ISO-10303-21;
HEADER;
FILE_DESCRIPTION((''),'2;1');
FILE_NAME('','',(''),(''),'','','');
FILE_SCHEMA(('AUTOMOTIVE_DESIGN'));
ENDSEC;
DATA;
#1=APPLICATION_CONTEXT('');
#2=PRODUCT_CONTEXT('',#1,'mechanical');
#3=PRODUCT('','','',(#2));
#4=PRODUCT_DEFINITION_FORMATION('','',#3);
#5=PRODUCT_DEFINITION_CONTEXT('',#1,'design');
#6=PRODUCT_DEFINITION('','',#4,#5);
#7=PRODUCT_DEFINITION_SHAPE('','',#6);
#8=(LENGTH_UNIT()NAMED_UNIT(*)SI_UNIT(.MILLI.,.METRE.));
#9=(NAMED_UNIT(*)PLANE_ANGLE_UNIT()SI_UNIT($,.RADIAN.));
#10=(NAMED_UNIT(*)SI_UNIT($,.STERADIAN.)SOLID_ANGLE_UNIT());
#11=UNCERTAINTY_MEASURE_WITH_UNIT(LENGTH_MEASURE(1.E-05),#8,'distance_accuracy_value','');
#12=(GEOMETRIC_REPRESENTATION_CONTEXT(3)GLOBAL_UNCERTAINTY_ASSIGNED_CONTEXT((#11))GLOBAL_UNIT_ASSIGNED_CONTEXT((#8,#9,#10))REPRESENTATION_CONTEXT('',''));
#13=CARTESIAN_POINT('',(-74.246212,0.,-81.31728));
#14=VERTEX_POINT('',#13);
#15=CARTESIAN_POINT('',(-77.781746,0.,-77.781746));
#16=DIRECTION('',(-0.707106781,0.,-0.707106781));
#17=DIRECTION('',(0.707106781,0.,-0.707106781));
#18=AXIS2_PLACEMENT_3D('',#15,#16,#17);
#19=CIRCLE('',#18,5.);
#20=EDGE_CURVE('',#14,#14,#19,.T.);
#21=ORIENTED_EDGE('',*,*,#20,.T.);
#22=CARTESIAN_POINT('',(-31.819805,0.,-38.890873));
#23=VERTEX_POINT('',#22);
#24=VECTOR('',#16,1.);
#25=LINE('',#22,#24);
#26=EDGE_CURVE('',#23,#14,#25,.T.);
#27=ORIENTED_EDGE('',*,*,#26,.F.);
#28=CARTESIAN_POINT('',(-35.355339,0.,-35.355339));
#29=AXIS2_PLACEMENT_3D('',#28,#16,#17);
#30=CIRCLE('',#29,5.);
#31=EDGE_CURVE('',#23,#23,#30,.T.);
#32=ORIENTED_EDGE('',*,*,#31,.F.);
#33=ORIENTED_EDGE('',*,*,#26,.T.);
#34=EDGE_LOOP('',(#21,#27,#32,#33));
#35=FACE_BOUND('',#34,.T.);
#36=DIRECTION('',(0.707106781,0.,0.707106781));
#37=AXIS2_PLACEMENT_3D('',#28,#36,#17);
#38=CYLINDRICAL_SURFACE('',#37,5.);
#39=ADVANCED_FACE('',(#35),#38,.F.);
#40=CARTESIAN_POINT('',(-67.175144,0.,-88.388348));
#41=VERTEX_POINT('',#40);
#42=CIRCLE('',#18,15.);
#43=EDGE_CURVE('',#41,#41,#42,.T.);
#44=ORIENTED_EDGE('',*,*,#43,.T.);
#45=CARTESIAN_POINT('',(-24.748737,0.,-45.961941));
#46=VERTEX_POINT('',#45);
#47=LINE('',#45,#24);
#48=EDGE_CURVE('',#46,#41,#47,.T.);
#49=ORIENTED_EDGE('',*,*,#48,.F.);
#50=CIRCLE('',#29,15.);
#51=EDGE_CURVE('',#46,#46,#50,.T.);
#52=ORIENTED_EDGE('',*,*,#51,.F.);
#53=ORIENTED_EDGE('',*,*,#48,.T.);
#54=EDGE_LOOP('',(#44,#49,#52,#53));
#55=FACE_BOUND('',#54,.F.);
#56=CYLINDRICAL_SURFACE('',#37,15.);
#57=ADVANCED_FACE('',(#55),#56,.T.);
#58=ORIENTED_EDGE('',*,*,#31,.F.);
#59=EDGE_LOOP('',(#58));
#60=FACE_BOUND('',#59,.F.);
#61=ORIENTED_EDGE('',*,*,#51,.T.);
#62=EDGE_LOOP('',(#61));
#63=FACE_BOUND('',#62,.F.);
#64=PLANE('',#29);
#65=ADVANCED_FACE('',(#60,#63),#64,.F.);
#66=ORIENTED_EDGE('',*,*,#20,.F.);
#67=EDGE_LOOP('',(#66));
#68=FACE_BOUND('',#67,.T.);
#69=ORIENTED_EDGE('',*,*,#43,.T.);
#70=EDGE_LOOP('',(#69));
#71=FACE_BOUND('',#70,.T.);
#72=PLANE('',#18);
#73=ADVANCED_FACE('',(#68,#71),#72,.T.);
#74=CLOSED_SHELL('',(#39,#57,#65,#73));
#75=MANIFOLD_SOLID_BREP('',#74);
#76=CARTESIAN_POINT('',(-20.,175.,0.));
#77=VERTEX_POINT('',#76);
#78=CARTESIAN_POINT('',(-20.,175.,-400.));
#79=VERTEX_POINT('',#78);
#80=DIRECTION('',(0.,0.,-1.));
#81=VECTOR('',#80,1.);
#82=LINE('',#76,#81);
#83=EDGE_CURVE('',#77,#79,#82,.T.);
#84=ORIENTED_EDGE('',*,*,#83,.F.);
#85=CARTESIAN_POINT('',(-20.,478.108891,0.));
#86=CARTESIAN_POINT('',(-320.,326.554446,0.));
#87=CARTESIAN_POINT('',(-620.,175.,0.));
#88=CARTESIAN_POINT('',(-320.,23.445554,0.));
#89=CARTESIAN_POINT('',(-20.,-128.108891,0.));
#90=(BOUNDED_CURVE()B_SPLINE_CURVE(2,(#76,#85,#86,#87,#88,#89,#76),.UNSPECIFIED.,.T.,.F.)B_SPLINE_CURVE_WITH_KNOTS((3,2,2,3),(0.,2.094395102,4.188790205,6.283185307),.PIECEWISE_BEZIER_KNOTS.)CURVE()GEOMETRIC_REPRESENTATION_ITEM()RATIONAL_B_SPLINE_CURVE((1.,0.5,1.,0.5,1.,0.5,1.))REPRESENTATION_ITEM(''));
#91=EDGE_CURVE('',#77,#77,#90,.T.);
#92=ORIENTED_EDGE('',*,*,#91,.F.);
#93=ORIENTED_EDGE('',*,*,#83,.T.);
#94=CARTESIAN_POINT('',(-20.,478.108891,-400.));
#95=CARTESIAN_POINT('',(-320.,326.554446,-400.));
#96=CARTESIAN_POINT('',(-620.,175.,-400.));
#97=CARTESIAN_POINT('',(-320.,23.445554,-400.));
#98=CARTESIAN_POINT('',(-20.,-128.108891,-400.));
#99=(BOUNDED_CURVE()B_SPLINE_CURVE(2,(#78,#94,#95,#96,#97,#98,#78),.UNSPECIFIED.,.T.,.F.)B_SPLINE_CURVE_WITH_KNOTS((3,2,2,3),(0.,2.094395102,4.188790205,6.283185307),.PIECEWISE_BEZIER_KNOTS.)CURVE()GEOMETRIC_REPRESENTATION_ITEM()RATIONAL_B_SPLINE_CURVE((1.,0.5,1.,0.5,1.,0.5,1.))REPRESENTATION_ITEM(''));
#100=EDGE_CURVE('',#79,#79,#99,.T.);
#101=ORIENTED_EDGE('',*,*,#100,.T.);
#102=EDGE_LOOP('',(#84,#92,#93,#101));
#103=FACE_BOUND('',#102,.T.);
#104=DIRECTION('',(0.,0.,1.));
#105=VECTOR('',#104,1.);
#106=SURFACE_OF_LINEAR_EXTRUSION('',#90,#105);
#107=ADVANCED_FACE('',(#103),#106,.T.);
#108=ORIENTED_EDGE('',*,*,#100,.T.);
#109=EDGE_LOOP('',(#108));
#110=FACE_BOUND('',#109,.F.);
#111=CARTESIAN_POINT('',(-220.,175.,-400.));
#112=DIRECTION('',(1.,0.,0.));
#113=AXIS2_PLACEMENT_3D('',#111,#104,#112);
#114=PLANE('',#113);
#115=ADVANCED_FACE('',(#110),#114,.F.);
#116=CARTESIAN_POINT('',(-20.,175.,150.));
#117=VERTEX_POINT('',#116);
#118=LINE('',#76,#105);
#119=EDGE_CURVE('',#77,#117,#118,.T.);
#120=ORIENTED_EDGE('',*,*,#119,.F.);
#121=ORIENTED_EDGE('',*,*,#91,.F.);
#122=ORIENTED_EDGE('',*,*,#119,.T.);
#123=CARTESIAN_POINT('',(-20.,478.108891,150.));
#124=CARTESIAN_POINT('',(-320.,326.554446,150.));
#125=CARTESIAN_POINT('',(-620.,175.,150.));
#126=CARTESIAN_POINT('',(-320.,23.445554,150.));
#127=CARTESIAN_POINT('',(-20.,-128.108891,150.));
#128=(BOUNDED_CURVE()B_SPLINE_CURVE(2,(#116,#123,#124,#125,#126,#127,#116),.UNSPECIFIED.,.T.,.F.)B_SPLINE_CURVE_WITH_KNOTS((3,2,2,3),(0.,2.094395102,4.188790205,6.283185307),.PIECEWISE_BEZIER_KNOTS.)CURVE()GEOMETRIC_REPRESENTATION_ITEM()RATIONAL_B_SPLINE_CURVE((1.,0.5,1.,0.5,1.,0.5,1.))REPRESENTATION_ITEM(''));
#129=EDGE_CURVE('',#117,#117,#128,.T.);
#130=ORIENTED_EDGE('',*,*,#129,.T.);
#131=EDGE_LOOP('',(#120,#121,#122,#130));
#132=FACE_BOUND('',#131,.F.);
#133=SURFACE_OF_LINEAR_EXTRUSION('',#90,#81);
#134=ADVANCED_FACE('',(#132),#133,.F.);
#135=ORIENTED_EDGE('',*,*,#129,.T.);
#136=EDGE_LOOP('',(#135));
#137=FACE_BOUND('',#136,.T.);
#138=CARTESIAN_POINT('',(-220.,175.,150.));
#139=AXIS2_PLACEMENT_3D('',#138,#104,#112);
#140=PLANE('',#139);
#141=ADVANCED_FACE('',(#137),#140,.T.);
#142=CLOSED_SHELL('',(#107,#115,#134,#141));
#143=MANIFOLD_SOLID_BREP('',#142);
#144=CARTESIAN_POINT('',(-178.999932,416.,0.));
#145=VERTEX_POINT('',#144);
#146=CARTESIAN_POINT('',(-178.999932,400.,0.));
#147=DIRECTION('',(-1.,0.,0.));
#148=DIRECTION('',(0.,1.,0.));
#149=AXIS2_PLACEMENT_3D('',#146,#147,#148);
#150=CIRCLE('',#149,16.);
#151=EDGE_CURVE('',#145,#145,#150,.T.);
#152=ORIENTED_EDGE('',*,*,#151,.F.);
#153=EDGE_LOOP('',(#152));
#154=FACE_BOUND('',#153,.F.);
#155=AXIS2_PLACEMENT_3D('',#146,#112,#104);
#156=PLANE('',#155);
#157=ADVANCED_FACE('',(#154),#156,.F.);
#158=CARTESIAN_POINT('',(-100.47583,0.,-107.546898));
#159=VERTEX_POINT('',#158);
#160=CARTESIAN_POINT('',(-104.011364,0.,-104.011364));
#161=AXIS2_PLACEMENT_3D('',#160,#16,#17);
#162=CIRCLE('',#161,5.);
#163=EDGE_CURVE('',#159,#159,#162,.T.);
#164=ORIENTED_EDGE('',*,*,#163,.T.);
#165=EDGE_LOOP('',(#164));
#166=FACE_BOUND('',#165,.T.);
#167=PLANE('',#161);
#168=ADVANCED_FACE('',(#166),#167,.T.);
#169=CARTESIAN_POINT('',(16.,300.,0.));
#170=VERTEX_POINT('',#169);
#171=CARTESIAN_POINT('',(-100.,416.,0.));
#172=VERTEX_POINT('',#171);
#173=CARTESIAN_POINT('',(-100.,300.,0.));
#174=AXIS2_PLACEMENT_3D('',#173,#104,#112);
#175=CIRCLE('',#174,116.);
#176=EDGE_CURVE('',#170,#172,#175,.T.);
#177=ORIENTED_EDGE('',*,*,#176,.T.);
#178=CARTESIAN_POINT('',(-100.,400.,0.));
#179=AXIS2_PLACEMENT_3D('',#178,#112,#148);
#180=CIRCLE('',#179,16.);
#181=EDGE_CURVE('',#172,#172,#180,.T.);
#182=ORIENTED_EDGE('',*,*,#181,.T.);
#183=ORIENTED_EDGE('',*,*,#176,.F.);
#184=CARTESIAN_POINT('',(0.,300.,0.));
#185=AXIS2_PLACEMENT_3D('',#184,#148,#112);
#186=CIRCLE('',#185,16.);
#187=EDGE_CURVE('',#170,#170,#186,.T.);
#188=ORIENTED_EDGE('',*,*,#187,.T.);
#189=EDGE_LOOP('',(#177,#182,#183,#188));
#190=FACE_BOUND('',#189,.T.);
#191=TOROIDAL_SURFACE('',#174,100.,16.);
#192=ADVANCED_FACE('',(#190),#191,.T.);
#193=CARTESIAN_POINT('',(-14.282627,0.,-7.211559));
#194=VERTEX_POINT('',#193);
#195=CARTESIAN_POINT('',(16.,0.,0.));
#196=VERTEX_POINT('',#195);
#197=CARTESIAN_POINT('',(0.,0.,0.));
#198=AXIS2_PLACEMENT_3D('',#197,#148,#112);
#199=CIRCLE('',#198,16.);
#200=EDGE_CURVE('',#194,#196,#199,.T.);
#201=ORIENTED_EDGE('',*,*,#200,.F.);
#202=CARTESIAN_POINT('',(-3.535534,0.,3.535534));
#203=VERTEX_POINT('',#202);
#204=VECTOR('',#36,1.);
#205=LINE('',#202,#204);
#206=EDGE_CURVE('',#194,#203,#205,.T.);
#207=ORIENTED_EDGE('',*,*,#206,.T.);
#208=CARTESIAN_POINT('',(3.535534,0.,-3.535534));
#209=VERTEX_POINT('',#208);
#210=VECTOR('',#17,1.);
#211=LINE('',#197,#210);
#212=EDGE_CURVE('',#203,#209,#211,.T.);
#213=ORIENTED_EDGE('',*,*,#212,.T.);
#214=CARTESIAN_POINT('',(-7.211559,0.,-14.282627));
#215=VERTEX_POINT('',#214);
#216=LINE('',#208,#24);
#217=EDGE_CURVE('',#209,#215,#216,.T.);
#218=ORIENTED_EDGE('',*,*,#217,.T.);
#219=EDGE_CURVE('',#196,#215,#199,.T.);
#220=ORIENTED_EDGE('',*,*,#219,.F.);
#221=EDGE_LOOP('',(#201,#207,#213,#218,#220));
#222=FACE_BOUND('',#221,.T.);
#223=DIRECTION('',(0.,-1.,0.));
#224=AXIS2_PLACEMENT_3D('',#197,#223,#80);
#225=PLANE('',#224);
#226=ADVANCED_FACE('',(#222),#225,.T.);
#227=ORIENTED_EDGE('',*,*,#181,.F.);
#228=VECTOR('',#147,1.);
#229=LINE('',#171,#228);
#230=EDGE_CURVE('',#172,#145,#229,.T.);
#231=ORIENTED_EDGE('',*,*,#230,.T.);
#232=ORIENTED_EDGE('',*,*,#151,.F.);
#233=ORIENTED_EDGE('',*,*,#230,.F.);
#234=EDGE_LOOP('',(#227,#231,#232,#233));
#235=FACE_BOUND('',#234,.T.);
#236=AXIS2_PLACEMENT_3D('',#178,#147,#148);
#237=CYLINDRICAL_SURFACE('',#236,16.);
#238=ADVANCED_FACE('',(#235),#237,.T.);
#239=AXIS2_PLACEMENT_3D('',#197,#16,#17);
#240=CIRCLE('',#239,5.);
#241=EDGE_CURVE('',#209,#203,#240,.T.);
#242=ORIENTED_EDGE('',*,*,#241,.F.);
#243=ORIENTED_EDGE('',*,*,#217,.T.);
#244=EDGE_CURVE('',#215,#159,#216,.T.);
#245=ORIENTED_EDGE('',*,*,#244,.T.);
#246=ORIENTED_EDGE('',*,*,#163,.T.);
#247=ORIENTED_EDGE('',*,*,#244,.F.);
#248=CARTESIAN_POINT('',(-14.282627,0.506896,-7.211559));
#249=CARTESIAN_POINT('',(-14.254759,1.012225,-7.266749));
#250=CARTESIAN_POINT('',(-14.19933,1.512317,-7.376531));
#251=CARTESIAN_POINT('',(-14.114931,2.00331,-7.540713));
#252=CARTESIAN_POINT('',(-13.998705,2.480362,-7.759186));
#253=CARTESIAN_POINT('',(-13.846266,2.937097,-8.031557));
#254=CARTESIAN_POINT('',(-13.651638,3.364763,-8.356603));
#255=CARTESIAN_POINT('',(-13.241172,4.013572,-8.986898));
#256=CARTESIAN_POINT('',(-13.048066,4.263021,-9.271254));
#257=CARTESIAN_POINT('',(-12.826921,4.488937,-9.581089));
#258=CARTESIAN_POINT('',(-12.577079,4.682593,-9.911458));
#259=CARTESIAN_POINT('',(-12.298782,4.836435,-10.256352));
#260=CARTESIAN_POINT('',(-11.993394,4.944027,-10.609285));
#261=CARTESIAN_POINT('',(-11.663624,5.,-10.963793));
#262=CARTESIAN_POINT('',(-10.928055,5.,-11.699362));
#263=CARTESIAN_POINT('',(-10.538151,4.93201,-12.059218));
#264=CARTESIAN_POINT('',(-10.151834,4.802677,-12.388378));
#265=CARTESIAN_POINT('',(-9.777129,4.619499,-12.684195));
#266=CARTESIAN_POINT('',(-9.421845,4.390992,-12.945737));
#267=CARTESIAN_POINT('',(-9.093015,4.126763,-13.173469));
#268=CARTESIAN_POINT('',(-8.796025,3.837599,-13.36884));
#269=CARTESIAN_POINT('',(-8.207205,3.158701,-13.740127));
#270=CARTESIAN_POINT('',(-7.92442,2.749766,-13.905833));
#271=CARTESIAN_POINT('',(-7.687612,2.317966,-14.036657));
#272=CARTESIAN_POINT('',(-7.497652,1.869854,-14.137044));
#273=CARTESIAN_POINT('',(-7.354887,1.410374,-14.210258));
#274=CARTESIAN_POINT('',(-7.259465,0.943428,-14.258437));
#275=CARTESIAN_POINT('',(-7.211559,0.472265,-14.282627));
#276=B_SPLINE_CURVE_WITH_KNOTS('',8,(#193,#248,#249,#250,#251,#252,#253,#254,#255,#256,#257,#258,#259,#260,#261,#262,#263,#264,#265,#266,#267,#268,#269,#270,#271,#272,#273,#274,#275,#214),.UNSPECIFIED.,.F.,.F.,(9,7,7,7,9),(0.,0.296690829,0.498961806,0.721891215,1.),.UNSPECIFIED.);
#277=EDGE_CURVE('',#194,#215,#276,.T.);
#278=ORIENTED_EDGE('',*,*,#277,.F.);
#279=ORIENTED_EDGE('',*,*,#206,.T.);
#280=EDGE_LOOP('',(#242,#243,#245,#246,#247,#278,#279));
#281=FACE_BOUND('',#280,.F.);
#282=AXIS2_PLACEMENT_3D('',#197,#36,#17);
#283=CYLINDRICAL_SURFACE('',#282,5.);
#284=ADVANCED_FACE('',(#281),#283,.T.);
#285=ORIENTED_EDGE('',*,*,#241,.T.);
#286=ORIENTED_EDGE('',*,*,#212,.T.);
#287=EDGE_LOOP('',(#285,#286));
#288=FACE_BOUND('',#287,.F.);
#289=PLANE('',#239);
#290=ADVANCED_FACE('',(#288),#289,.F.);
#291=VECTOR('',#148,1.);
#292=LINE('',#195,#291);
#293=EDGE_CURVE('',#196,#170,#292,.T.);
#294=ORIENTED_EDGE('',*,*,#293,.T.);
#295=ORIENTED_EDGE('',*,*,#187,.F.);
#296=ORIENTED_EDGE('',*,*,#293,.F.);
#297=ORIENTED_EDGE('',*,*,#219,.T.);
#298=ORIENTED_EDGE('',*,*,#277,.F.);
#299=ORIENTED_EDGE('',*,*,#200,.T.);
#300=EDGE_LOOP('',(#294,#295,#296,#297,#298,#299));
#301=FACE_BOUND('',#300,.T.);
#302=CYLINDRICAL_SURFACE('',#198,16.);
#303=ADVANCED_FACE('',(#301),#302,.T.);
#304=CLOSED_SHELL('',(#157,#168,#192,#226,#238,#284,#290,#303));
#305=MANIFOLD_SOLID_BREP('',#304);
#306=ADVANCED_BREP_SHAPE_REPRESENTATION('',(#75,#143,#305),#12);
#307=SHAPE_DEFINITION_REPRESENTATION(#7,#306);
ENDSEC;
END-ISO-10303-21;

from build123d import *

# Parameters (mm, degrees)
F2_R           = 16
F5_R           = 5
F6_DEPTH       = 147.0942820074
F8_R           = 15
F8_R_2         = 5
F9_DEPTH       = 60
F11_DEPTH      = 150
F11_DEPTH_BACK = 400


with BuildPart() as f3:
    # F3: sweep along a path in F0
    with BuildLine(Plane.XY) as f3_path:
        Line((0, 0), (0, 300))
        ThreePointArc((0, 300), (-29.2893218813, 370.7106781187), (-100, 400))
        Line((-100, 400), (-178.9999318123, 400))
    # F2 (on Front) → F3 (sweep)
    with BuildSketch(Plane.XZ):
        Circle(F2_R)
    sweep(path=f3_path.line)

    # F5 (on line) → F6 (join, through all)
    with BuildSketch(Plane(origin=(0, 0, 0), x_dir=(0.7071067812, 0, -0.7071067812), z_dir=(-0.7071067812, 0, -0.7071067812))):
        Circle(F5_R)
    extrude(amount=F6_DEPTH)


with BuildPart() as f9:
    # F8 (on offset) → F9 (new body)
    with BuildSketch(Plane(origin=(-35.3553390593, 0, -35.3553390593), x_dir=(0.7071067812, 0, -0.7071067812), z_dir=(-0.7071067812, 0, -0.7071067812))):
        Circle(F8_R)
        Circle(F8_R_2, mode=Mode.SUBTRACT)
    extrude(amount=F9_DEPTH)


with BuildPart() as f11:
    # F10 (on Top) → F11 (new body, two sides)
    with BuildSketch(Plane.XY) as f11_sk:
        with BuildLine():
            add(Edge.make_bspline(
                [(-20, 175), (-20, 478.1088913246), (-320, 326.5544456623), (-620, 175), (-320, 23.4455543377), (-20, -128.1088913246), (-20, 175)],
                knots=[0, 0, 0, 2.0943951024, 2.0943951024, 4.1887902048, 4.1887902048, 6.2831853072, 6.2831853072, 6.2831853072], degree=2, weights=[1, 0.5, 1, 0.5, 1, 0.5, 1]))
        make_face()
    extrude(amount=F11_DEPTH)
    extrude(f11_sk.sketch, amount=-F11_DEPTH_BACK)


solid = Compound([f3.part, f9.part, f11.part])
